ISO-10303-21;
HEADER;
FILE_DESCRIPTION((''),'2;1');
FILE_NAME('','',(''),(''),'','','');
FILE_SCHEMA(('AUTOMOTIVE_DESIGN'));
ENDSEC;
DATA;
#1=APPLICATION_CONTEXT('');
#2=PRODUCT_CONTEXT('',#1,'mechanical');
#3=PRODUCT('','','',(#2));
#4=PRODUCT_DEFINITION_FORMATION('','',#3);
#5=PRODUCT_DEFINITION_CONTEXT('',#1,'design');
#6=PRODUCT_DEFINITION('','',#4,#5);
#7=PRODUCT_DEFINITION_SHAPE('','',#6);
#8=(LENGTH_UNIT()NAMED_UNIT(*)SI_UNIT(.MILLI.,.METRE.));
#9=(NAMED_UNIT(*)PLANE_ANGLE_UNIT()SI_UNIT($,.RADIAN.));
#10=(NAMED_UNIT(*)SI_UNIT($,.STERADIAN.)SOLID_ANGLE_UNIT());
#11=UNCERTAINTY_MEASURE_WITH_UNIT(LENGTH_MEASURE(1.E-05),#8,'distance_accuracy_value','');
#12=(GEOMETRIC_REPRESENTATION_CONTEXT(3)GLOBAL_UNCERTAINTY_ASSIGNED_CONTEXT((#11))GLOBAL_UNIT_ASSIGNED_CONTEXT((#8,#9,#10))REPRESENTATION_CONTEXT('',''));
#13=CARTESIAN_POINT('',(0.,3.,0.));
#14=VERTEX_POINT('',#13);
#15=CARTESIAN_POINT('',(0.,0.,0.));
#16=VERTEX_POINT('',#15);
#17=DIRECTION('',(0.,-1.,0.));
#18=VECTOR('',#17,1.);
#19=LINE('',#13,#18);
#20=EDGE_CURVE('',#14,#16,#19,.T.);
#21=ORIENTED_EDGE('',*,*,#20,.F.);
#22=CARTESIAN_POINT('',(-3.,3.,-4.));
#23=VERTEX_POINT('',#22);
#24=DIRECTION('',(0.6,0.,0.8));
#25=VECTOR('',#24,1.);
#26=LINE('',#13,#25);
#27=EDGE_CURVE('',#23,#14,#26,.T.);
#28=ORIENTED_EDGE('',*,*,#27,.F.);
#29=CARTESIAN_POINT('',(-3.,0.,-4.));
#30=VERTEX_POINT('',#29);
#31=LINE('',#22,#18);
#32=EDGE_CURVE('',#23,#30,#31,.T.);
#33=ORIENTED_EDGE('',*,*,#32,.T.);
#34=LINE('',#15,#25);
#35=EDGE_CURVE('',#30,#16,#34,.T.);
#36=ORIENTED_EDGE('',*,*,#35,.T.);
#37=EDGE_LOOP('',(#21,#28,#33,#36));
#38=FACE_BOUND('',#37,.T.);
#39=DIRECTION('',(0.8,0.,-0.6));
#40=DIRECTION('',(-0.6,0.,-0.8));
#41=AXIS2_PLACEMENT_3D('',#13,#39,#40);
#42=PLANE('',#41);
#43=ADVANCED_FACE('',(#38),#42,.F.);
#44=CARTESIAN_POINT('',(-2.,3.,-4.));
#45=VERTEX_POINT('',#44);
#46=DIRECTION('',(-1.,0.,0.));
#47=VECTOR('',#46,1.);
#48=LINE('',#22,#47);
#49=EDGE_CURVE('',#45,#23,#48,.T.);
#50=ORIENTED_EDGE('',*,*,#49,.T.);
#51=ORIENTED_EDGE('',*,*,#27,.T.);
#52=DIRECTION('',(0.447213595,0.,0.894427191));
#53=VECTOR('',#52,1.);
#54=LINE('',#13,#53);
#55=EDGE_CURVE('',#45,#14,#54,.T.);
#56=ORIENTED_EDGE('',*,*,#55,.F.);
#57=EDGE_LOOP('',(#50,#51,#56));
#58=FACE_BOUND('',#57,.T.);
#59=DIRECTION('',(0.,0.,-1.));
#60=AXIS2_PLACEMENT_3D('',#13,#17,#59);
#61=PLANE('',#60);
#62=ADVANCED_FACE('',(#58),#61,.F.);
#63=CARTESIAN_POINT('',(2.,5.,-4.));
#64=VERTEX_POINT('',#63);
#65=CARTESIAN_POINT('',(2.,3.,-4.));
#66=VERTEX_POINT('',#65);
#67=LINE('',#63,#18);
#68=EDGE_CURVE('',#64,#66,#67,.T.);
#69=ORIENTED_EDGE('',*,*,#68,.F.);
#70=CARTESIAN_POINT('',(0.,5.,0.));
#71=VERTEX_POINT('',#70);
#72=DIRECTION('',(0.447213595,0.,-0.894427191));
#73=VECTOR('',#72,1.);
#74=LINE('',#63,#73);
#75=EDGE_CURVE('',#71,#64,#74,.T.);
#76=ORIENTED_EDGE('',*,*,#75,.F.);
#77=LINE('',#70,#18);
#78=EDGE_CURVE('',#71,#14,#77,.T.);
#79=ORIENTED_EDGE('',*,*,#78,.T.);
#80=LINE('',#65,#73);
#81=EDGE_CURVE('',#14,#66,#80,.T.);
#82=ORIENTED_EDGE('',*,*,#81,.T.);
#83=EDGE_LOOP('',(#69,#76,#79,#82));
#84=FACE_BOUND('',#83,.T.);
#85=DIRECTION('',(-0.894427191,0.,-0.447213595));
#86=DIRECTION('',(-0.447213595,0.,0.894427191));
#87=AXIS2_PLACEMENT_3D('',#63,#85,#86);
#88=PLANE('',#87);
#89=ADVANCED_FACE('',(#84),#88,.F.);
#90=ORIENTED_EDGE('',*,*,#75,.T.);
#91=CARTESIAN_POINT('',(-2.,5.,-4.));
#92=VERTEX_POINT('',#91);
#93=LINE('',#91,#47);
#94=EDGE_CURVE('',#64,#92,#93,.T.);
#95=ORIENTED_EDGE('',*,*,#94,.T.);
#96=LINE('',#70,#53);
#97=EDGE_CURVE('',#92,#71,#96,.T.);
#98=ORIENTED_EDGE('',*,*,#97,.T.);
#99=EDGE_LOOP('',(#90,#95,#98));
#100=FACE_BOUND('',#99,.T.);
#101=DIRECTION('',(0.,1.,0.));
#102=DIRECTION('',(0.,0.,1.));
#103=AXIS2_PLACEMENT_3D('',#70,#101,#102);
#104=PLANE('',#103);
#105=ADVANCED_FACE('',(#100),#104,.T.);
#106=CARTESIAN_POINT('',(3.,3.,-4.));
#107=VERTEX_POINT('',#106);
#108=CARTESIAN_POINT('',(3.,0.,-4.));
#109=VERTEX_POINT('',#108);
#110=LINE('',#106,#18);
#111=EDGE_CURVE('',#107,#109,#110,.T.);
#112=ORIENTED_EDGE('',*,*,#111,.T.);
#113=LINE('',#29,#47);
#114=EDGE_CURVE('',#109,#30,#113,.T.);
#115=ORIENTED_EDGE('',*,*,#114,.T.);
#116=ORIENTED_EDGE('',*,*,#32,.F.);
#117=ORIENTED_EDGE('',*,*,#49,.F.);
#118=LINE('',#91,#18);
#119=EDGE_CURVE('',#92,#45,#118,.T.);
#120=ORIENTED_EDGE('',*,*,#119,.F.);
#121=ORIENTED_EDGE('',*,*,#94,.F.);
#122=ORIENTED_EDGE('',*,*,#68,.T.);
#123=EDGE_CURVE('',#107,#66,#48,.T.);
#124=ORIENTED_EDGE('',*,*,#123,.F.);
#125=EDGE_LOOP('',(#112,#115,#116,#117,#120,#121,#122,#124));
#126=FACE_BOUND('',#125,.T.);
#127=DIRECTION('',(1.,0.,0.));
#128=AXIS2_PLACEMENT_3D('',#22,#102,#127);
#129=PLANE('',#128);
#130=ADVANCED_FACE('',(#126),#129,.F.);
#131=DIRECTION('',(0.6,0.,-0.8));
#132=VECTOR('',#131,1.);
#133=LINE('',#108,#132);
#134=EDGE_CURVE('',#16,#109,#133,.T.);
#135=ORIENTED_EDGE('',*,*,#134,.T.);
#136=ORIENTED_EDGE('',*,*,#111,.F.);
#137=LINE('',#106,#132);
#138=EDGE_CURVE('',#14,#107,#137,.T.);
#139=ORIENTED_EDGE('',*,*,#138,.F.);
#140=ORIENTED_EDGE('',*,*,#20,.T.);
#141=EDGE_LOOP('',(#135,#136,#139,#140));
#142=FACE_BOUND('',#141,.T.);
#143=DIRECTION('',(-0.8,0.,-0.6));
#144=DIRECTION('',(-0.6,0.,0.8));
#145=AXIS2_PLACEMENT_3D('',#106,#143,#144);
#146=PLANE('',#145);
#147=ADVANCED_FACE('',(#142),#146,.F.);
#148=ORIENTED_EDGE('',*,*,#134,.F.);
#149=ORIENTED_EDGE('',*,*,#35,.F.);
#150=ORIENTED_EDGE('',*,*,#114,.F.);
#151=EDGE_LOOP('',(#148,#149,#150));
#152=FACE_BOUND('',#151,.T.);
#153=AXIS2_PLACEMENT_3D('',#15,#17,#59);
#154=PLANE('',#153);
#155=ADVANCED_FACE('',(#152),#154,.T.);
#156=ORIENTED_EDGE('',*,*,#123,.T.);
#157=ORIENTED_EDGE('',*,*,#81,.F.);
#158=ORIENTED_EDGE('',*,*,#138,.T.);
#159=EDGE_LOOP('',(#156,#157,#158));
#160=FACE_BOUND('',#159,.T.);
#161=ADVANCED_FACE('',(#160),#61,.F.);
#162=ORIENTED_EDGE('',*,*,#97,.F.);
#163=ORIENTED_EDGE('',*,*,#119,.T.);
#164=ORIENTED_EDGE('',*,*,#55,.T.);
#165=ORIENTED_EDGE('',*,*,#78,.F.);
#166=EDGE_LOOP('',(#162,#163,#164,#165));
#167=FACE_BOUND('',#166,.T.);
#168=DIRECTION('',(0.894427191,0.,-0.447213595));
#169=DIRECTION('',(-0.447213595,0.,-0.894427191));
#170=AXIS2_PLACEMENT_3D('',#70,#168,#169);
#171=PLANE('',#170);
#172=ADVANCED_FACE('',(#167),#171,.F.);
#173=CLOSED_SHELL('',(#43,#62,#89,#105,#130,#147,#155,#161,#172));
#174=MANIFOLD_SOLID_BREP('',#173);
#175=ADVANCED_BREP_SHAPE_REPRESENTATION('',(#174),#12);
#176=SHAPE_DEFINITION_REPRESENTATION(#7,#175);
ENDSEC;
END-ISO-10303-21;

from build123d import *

# Parameters (mm, degrees)
BOSS_EXTRUDE1_DEPTH = 3
BOSS_EXTRUDE2_DEPTH = 2


with BuildPart() as part:
    # Sketch1 → Boss-Extrude1 (new body)
    with BuildSketch(Plane(origin=(0, 0, 0), x_dir=(1, 0, 0), z_dir=(0, 1, 0))):
        Polygon((0, 0), (-3, 4), (3, 4), align=None)
    extrude(amount=BOSS_EXTRUDE1_DEPTH)

    # Sketch2 → Boss-Extrude2 (add)
    with BuildSketch(Plane(origin=(0, 3, 0), x_dir=(1, 0, 0), z_dir=(0, 1, 0))):
        Polygon((0, 0), (-2, 4), (2, 4), align=None)
    extrude(amount=BOSS_EXTRUDE2_DEPTH)


solid = part.part
